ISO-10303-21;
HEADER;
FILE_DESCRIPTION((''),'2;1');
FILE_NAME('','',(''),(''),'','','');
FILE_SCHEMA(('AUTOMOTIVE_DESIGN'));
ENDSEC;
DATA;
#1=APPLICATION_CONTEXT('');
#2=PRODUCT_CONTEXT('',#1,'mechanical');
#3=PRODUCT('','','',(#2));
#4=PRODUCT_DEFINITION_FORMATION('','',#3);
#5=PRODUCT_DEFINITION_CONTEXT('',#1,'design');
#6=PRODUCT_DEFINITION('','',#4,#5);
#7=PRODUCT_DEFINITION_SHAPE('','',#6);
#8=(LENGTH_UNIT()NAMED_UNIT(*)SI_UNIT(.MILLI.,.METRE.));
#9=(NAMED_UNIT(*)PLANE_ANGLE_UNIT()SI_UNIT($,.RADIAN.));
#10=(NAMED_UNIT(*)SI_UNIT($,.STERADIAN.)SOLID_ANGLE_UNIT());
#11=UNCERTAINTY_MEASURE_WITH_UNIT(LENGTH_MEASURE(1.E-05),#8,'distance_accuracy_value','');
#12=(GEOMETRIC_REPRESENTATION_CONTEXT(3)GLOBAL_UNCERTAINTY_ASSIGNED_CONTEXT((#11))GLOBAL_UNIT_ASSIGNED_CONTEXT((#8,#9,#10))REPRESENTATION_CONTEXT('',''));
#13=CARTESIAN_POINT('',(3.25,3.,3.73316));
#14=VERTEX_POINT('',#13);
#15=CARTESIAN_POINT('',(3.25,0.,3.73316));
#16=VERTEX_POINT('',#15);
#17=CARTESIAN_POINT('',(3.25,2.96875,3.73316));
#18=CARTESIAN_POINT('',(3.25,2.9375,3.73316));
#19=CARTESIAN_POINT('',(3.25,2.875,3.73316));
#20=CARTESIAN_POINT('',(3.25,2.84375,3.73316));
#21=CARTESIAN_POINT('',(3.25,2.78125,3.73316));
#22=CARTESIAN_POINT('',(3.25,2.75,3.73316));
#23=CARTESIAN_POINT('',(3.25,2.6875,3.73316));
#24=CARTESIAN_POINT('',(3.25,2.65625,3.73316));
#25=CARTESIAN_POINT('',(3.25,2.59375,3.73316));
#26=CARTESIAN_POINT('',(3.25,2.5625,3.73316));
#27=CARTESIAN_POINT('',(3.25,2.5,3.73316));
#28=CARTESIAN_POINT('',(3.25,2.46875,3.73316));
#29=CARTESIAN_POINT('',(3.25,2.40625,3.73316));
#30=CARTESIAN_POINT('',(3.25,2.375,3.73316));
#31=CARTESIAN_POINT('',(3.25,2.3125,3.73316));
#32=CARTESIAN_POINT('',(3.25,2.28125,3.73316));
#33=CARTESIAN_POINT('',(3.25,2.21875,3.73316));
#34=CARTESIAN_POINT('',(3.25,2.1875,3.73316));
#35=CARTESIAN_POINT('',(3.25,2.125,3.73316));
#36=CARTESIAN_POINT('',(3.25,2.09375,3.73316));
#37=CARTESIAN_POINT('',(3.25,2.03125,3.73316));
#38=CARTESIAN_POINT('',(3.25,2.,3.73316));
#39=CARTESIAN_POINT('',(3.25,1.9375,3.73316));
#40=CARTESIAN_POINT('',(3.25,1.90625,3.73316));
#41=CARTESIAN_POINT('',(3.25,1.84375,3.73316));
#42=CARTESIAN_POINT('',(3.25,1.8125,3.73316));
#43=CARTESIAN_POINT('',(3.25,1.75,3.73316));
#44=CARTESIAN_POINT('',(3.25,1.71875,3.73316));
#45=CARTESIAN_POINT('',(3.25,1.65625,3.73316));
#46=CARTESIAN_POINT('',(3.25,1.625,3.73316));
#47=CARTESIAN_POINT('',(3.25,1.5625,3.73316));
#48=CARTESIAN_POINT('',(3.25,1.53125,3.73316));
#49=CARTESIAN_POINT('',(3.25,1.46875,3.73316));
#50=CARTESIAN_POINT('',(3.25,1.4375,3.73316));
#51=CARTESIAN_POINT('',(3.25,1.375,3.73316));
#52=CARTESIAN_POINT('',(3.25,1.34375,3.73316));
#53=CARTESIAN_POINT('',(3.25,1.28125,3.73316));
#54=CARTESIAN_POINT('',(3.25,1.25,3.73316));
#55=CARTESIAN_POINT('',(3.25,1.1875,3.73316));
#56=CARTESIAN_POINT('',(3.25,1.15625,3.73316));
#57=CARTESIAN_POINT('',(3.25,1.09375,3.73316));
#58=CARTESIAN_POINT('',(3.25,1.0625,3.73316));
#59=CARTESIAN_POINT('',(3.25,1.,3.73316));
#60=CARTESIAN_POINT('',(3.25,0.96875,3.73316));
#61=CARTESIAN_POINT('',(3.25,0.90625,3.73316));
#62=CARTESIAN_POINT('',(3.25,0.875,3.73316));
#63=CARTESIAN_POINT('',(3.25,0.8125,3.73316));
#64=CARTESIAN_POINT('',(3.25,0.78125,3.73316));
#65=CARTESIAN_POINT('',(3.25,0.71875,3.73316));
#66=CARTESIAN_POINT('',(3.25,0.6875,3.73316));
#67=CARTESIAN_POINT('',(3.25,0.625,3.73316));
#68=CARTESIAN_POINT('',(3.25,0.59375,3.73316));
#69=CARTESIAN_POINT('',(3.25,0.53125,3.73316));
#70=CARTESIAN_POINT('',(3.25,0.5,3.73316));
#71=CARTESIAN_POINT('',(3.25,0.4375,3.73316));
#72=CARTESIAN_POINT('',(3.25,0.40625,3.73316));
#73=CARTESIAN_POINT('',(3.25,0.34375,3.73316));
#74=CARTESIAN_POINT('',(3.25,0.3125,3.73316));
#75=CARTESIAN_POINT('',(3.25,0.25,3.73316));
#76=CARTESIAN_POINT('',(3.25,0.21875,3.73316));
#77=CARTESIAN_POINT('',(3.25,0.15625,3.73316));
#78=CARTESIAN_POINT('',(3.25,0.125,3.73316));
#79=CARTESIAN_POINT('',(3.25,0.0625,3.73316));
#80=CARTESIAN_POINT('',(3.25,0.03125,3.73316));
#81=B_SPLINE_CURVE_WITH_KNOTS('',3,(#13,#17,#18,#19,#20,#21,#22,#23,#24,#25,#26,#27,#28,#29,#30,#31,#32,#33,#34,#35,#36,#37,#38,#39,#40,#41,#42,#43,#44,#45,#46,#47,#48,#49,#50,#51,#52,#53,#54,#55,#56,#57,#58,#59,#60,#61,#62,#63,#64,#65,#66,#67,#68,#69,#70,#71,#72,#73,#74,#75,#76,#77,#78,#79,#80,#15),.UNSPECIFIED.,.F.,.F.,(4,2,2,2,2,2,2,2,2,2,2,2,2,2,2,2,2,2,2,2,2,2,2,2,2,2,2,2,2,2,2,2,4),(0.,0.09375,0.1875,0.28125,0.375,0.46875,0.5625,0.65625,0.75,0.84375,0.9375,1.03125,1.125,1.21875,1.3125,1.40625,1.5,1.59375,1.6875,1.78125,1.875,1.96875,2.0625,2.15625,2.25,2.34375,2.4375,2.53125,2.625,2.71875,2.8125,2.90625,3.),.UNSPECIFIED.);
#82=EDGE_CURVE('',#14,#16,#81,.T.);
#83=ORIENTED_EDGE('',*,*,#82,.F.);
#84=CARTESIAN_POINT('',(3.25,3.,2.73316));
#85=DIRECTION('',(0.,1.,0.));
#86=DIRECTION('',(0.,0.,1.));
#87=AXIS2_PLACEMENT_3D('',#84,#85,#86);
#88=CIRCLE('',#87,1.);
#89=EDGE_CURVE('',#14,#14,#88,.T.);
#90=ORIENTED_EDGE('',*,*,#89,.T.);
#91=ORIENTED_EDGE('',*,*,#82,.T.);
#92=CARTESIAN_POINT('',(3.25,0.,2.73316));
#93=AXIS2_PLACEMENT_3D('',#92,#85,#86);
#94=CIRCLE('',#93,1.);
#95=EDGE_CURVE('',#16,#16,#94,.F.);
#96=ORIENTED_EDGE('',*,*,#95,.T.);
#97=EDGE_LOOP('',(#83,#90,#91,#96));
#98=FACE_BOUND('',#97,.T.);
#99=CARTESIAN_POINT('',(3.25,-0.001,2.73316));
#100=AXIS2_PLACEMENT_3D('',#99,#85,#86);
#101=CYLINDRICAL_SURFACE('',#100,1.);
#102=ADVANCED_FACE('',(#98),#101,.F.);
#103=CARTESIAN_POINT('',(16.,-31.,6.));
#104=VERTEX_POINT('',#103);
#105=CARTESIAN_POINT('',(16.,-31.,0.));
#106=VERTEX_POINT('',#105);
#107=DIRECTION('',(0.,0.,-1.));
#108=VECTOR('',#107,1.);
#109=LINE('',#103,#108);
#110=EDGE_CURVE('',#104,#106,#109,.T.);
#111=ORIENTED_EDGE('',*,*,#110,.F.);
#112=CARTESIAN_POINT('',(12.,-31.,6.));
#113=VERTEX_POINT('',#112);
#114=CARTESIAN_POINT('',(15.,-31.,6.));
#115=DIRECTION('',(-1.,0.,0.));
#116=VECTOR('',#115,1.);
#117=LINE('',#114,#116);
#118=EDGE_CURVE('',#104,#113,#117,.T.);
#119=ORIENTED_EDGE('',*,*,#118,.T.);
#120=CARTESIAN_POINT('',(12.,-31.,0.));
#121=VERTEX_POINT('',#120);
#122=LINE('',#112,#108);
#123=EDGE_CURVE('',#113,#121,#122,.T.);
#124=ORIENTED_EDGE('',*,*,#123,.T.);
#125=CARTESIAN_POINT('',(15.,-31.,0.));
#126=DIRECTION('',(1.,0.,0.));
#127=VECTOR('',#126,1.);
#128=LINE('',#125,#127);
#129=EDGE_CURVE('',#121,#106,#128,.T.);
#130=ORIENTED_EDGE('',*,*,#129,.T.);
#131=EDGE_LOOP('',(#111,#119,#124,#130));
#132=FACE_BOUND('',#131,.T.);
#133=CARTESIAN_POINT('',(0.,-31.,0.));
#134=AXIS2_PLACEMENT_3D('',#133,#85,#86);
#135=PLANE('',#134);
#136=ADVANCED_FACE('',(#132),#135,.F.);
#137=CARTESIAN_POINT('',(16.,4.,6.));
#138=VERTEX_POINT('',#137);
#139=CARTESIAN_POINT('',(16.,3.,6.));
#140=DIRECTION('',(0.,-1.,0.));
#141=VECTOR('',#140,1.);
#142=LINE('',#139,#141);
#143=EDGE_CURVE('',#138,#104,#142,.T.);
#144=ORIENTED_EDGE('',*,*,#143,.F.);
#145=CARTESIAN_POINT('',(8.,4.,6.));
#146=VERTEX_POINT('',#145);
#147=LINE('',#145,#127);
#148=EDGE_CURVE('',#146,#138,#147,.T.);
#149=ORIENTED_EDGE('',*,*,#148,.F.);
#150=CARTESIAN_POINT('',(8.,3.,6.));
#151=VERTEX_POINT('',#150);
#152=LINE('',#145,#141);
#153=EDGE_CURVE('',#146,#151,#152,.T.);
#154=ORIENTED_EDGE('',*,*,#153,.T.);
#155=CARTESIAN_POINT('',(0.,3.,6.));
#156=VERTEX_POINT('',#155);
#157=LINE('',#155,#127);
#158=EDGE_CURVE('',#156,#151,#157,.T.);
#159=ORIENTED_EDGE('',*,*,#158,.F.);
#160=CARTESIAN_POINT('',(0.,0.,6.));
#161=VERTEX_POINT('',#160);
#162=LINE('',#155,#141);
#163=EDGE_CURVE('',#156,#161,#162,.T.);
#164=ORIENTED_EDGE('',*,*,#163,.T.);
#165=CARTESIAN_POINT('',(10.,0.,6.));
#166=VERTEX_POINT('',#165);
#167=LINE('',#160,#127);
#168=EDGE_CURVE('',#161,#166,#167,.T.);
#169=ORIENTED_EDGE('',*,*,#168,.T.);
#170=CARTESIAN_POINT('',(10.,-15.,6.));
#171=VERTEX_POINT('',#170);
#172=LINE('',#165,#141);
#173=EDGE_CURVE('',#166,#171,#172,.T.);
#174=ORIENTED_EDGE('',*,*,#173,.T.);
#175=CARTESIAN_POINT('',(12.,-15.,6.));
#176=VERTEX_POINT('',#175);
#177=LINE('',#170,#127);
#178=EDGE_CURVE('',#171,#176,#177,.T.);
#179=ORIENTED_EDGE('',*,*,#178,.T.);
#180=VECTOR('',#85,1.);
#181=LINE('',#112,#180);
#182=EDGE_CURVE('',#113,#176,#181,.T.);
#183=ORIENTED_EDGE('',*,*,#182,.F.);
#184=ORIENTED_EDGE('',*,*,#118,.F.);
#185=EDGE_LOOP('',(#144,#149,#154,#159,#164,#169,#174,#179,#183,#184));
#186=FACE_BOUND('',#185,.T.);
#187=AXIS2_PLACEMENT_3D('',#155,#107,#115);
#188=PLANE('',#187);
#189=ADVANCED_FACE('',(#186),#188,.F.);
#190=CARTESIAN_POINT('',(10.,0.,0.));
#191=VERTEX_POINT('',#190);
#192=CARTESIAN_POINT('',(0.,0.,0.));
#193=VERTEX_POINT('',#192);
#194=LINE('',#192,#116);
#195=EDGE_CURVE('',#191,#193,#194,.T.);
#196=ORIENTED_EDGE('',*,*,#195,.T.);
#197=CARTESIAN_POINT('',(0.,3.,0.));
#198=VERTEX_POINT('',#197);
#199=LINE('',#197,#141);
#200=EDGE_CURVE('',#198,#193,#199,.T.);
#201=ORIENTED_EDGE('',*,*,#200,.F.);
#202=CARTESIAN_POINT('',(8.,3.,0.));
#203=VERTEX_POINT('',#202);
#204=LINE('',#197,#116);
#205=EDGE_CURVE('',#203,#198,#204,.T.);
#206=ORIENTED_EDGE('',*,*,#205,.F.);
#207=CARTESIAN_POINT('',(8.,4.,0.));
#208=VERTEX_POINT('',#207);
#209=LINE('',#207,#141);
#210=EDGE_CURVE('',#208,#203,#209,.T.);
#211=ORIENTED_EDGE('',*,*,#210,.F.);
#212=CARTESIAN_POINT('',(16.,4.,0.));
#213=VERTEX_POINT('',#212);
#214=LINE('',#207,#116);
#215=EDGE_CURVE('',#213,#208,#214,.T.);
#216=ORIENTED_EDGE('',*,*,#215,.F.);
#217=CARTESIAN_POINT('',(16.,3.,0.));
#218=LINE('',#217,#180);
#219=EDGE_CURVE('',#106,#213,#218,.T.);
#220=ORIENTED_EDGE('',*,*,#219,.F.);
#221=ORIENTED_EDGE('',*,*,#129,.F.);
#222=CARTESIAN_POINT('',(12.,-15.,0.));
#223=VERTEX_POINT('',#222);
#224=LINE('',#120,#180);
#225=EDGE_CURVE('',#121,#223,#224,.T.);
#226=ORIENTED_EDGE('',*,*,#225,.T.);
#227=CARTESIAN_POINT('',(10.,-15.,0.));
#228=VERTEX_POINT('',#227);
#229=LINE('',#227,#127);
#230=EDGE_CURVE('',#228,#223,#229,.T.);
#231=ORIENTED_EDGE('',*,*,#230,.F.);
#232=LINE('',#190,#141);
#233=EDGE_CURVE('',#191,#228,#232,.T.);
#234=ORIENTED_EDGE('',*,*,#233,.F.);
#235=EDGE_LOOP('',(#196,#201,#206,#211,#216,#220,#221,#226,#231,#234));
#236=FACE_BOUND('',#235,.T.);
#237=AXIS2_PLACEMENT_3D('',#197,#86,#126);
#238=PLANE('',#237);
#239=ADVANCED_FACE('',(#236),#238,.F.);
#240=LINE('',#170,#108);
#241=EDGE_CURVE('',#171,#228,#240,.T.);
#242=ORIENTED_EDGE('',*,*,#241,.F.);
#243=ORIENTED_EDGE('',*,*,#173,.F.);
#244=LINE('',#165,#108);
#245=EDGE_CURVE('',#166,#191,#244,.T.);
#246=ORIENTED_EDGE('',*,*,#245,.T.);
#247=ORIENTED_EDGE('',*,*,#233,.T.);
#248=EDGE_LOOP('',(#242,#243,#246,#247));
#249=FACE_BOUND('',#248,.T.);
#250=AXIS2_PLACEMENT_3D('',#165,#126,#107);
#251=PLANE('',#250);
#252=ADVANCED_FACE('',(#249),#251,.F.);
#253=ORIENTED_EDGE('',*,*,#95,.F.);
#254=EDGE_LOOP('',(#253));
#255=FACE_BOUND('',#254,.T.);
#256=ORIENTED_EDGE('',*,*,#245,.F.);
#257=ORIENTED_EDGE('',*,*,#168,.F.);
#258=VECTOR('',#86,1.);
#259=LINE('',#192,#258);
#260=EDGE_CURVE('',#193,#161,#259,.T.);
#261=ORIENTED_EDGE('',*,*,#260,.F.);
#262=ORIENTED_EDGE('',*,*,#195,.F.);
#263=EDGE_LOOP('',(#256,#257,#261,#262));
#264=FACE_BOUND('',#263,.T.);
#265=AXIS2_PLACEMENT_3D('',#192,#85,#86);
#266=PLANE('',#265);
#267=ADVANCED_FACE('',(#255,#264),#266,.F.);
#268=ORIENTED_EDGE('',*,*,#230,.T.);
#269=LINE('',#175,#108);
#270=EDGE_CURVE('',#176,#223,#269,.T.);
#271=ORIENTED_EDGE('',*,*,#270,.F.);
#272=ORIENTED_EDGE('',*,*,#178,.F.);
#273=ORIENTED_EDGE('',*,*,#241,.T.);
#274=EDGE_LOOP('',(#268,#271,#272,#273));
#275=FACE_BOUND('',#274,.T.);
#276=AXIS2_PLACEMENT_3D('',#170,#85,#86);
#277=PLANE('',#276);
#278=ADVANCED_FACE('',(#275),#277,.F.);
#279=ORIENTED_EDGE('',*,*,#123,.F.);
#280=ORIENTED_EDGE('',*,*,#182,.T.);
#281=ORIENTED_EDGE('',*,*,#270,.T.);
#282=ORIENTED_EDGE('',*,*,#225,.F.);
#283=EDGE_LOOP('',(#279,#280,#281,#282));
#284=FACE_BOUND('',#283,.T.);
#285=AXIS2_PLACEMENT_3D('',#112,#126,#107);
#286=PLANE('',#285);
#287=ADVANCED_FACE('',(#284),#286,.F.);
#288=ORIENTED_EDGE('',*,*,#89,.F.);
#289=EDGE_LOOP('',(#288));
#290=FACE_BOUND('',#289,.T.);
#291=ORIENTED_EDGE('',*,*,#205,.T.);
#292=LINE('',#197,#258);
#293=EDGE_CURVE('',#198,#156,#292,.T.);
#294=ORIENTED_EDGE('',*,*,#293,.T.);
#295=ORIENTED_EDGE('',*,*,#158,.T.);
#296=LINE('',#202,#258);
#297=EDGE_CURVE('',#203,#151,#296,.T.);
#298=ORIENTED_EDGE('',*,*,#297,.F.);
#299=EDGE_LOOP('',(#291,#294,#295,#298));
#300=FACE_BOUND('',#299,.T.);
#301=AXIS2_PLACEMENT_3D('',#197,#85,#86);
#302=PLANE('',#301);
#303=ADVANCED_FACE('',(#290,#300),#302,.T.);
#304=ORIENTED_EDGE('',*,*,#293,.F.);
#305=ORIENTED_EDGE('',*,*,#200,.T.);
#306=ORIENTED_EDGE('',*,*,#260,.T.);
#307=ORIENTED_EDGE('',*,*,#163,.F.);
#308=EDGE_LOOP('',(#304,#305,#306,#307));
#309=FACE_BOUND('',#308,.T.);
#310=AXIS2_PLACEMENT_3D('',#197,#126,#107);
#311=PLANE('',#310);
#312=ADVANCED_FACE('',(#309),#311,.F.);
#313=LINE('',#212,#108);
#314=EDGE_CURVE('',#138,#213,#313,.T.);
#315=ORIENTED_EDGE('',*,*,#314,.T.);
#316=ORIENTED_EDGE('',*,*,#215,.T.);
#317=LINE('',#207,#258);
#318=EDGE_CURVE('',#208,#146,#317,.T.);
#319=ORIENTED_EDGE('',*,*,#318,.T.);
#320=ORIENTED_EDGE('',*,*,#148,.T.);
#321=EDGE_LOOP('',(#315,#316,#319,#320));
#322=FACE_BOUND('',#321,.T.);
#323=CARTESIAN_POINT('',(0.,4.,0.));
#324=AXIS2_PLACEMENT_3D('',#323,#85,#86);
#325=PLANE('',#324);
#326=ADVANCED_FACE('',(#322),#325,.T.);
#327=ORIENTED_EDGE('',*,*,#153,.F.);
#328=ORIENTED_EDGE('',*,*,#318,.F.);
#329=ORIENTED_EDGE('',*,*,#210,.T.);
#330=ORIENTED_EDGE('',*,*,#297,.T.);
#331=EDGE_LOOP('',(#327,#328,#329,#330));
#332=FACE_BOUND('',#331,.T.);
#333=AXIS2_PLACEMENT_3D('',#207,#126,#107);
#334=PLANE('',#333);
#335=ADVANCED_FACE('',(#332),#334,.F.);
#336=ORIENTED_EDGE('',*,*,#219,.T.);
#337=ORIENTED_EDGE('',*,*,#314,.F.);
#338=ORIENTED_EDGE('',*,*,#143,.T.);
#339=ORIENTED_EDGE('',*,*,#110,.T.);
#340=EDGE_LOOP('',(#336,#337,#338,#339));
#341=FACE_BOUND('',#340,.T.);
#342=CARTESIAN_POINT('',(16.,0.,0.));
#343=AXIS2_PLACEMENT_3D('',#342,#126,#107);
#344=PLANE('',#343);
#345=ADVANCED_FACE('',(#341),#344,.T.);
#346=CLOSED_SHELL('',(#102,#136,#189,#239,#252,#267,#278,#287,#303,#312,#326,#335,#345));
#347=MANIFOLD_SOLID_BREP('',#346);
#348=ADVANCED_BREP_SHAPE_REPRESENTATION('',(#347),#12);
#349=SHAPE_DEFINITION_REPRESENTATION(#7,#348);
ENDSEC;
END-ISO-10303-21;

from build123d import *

# Parameters (mm, degrees)
SKETCH1_W           = 15
SKETCH1_H           = 6
BOSS_EXTRUDE1_DEPTH = 3
CUT_EXTRUDE1_REACH  = 18.432
SKETCH2_R           = 1
SKETCH3_W           = 3
SKETCH3_H           = 6
BOSS_EXTRUDE2_DEPTH = 31
SKETCH4_W           = 6
SKETCH4_H           = 34
BOSS_EXTRUDE3_DEPTH = 1
SKETCH5_W           = 8
SKETCH5_H           = 6
BOSS_EXTRUDE4_DEPTH = 1
SKETCH6_W           = 2
SKETCH6_H           = 15
BOSS_EXTRUDE5_DEPTH = 6


with BuildPart() as part:
    # Sketch1 → Boss-Extrude1 (new body)
    with BuildSketch(Plane(origin=(0, 0, 0), x_dir=(1, 0, 0), z_dir=(0, 1, 0))):
        with Locations((7.5, -3)):
            Rectangle(SKETCH1_W, SKETCH1_H)
    extrude(amount=BOSS_EXTRUDE1_DEPTH)

    # Sketch2 → Cut-Extrude1 (cut, up to next)
    with BuildSketch(Plane(origin=(0, 3, 0), x_dir=(1, 0, 0), z_dir=(0, 1, 0)), mode=Mode.PRIVATE) as cut_extrude1_sk1:
        with Locations(Location((3.25, -2.733160164, 0), (0, 0, 270))):
            Circle(SKETCH2_R)
    cut_extrude1_tool1 = extrude(cut_extrude1_sk1.sketch, amount=-CUT_EXTRUDE1_REACH, mode=Mode.PRIVATE) & part.part
    add(cut_extrude1_tool1.solids().sort_by_distance((3.25, 3, 2.73316))[0], mode=Mode.SUBTRACT)

    # Sketch3 → Boss-Extrude2 (add)
    with BuildSketch(Plane.XZ):
        with Locations((13.5, 3)):
            Rectangle(SKETCH3_W, SKETCH3_H)
    extrude(amount=BOSS_EXTRUDE2_DEPTH)

    # Sketch4 → Boss-Extrude3 (add)
    with BuildSketch(Plane(origin=(15, 0, 0), x_dir=(0, 0, -1), z_dir=(1, 0, 0))):
        with Locations((-3, -14)):
            Rectangle(SKETCH4_W, SKETCH4_H)
    extrude(amount=BOSS_EXTRUDE3_DEPTH)

    # Sketch5 → Boss-Extrude4 (add)
    with BuildSketch(Plane(origin=(0, 3, 0), x_dir=(1, 0, 0), z_dir=(0, 1, 0))):
        with Locations((12, -3)):
            Rectangle(SKETCH5_W, SKETCH5_H)
    extrude(amount=BOSS_EXTRUDE4_DEPTH)

    # Sketch6 → Boss-Extrude5 (add)
    with BuildSketch(Plane.XY):
        with Locations((11, -7.5)):
            Rectangle(SKETCH6_W, SKETCH6_H)
    extrude(amount=BOSS_EXTRUDE5_DEPTH)


solid = part.part
